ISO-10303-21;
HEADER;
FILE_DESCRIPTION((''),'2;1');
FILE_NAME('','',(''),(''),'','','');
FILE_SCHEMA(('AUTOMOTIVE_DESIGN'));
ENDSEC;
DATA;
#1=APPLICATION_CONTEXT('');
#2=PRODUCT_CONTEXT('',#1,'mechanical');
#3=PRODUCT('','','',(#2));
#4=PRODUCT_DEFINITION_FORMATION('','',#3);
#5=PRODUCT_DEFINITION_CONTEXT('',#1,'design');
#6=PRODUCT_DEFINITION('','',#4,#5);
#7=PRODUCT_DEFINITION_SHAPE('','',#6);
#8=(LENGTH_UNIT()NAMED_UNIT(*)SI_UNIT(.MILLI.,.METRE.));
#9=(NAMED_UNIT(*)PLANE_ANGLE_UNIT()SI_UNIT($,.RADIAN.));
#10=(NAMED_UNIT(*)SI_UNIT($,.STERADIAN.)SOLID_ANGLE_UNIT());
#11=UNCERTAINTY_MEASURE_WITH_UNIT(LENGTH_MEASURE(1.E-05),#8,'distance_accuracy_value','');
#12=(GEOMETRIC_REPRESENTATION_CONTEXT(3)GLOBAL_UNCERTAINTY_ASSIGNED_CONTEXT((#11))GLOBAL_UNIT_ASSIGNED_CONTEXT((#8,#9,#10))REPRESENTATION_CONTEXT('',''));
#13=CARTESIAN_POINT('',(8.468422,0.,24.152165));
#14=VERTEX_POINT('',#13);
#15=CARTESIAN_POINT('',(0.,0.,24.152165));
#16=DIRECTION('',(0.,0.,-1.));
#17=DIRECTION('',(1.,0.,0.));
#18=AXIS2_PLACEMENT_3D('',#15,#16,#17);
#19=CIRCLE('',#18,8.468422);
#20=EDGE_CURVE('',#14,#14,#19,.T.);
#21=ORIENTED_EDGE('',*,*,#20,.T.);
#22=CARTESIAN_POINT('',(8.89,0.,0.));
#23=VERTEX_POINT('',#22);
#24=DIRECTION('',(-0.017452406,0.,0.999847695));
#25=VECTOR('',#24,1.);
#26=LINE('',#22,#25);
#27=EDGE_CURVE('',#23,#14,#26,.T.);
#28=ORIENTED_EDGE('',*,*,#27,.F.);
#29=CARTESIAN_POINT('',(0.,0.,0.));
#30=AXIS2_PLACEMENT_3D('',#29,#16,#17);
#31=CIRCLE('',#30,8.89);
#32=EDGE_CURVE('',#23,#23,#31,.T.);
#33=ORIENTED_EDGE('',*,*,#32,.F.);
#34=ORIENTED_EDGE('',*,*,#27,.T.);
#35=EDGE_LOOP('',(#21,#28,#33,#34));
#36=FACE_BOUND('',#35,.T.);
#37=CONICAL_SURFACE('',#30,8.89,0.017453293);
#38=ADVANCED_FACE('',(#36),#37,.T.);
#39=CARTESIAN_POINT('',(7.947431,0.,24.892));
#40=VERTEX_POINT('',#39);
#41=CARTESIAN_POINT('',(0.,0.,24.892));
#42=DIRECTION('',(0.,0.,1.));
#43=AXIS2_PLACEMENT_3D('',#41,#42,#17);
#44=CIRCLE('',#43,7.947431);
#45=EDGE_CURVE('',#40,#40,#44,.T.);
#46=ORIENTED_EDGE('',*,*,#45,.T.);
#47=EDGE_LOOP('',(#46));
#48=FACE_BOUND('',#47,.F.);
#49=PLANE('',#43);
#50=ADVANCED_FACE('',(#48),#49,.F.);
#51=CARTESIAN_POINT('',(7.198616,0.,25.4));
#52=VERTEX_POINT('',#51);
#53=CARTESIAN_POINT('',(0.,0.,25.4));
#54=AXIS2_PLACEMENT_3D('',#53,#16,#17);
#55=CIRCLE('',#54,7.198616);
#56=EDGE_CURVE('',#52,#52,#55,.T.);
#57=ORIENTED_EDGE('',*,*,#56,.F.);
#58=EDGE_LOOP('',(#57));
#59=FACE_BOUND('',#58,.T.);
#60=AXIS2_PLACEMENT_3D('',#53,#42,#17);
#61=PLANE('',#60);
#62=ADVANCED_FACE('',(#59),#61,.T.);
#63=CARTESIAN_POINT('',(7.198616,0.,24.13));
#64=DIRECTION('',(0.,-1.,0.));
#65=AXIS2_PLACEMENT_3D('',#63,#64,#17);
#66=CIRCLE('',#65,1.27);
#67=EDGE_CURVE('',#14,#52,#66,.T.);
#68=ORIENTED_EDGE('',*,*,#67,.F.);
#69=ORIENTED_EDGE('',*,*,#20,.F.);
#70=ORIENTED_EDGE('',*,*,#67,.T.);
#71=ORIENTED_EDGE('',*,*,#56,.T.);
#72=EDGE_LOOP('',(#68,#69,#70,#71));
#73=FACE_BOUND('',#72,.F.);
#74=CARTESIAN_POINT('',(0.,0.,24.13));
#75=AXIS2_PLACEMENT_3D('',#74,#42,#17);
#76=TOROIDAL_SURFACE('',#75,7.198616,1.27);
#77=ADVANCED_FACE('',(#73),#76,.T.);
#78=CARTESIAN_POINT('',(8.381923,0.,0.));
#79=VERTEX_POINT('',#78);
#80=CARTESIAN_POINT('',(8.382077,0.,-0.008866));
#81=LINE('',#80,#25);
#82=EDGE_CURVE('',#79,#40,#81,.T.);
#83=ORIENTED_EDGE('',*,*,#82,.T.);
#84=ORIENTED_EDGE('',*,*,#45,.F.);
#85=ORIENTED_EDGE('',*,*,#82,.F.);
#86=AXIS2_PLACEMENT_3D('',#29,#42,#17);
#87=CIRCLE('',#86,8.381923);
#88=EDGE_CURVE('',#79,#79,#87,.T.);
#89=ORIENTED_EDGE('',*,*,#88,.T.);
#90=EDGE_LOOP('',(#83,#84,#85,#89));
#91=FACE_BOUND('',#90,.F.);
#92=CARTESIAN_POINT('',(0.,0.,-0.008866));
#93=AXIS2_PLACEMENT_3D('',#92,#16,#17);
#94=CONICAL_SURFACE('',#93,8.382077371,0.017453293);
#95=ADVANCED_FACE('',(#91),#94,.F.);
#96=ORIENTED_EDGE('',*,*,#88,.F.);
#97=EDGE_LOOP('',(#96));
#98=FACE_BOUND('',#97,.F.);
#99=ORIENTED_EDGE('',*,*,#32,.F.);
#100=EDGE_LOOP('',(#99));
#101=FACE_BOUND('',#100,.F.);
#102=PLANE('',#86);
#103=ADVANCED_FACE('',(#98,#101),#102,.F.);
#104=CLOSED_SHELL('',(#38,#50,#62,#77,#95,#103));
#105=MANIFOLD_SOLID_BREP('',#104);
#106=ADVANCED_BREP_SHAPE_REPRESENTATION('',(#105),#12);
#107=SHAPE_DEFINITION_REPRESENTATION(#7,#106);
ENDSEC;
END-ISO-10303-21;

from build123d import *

# Parameters (mm, degrees)
F0_R     = 8.89
F1_DEPTH = 25.4
F1_TAPER = 1
F2_T     = -0.508
F3_R     = 1.27


with BuildPart() as f1:
    # F0 (on Top) → F1 (new body)
    with BuildSketch(Plane.XY):
        Circle(F0_R)
    extrude(amount=F1_DEPTH, taper=F1_TAPER)

    # F2
    f2_openings = [f1.faces().sort_by_distance(p)[0] for p in [
        (0, 0, 0),
    ]]
    offset(amount=F2_T, openings=f2_openings)

    # F3
    f3_edges = [f1.edges().sort_by_distance(p)[0] for p in [
        (-8.446641, 0, 25.4),
    ]]
    fillet(f3_edges, radius=F3_R)


solid = f1.part
